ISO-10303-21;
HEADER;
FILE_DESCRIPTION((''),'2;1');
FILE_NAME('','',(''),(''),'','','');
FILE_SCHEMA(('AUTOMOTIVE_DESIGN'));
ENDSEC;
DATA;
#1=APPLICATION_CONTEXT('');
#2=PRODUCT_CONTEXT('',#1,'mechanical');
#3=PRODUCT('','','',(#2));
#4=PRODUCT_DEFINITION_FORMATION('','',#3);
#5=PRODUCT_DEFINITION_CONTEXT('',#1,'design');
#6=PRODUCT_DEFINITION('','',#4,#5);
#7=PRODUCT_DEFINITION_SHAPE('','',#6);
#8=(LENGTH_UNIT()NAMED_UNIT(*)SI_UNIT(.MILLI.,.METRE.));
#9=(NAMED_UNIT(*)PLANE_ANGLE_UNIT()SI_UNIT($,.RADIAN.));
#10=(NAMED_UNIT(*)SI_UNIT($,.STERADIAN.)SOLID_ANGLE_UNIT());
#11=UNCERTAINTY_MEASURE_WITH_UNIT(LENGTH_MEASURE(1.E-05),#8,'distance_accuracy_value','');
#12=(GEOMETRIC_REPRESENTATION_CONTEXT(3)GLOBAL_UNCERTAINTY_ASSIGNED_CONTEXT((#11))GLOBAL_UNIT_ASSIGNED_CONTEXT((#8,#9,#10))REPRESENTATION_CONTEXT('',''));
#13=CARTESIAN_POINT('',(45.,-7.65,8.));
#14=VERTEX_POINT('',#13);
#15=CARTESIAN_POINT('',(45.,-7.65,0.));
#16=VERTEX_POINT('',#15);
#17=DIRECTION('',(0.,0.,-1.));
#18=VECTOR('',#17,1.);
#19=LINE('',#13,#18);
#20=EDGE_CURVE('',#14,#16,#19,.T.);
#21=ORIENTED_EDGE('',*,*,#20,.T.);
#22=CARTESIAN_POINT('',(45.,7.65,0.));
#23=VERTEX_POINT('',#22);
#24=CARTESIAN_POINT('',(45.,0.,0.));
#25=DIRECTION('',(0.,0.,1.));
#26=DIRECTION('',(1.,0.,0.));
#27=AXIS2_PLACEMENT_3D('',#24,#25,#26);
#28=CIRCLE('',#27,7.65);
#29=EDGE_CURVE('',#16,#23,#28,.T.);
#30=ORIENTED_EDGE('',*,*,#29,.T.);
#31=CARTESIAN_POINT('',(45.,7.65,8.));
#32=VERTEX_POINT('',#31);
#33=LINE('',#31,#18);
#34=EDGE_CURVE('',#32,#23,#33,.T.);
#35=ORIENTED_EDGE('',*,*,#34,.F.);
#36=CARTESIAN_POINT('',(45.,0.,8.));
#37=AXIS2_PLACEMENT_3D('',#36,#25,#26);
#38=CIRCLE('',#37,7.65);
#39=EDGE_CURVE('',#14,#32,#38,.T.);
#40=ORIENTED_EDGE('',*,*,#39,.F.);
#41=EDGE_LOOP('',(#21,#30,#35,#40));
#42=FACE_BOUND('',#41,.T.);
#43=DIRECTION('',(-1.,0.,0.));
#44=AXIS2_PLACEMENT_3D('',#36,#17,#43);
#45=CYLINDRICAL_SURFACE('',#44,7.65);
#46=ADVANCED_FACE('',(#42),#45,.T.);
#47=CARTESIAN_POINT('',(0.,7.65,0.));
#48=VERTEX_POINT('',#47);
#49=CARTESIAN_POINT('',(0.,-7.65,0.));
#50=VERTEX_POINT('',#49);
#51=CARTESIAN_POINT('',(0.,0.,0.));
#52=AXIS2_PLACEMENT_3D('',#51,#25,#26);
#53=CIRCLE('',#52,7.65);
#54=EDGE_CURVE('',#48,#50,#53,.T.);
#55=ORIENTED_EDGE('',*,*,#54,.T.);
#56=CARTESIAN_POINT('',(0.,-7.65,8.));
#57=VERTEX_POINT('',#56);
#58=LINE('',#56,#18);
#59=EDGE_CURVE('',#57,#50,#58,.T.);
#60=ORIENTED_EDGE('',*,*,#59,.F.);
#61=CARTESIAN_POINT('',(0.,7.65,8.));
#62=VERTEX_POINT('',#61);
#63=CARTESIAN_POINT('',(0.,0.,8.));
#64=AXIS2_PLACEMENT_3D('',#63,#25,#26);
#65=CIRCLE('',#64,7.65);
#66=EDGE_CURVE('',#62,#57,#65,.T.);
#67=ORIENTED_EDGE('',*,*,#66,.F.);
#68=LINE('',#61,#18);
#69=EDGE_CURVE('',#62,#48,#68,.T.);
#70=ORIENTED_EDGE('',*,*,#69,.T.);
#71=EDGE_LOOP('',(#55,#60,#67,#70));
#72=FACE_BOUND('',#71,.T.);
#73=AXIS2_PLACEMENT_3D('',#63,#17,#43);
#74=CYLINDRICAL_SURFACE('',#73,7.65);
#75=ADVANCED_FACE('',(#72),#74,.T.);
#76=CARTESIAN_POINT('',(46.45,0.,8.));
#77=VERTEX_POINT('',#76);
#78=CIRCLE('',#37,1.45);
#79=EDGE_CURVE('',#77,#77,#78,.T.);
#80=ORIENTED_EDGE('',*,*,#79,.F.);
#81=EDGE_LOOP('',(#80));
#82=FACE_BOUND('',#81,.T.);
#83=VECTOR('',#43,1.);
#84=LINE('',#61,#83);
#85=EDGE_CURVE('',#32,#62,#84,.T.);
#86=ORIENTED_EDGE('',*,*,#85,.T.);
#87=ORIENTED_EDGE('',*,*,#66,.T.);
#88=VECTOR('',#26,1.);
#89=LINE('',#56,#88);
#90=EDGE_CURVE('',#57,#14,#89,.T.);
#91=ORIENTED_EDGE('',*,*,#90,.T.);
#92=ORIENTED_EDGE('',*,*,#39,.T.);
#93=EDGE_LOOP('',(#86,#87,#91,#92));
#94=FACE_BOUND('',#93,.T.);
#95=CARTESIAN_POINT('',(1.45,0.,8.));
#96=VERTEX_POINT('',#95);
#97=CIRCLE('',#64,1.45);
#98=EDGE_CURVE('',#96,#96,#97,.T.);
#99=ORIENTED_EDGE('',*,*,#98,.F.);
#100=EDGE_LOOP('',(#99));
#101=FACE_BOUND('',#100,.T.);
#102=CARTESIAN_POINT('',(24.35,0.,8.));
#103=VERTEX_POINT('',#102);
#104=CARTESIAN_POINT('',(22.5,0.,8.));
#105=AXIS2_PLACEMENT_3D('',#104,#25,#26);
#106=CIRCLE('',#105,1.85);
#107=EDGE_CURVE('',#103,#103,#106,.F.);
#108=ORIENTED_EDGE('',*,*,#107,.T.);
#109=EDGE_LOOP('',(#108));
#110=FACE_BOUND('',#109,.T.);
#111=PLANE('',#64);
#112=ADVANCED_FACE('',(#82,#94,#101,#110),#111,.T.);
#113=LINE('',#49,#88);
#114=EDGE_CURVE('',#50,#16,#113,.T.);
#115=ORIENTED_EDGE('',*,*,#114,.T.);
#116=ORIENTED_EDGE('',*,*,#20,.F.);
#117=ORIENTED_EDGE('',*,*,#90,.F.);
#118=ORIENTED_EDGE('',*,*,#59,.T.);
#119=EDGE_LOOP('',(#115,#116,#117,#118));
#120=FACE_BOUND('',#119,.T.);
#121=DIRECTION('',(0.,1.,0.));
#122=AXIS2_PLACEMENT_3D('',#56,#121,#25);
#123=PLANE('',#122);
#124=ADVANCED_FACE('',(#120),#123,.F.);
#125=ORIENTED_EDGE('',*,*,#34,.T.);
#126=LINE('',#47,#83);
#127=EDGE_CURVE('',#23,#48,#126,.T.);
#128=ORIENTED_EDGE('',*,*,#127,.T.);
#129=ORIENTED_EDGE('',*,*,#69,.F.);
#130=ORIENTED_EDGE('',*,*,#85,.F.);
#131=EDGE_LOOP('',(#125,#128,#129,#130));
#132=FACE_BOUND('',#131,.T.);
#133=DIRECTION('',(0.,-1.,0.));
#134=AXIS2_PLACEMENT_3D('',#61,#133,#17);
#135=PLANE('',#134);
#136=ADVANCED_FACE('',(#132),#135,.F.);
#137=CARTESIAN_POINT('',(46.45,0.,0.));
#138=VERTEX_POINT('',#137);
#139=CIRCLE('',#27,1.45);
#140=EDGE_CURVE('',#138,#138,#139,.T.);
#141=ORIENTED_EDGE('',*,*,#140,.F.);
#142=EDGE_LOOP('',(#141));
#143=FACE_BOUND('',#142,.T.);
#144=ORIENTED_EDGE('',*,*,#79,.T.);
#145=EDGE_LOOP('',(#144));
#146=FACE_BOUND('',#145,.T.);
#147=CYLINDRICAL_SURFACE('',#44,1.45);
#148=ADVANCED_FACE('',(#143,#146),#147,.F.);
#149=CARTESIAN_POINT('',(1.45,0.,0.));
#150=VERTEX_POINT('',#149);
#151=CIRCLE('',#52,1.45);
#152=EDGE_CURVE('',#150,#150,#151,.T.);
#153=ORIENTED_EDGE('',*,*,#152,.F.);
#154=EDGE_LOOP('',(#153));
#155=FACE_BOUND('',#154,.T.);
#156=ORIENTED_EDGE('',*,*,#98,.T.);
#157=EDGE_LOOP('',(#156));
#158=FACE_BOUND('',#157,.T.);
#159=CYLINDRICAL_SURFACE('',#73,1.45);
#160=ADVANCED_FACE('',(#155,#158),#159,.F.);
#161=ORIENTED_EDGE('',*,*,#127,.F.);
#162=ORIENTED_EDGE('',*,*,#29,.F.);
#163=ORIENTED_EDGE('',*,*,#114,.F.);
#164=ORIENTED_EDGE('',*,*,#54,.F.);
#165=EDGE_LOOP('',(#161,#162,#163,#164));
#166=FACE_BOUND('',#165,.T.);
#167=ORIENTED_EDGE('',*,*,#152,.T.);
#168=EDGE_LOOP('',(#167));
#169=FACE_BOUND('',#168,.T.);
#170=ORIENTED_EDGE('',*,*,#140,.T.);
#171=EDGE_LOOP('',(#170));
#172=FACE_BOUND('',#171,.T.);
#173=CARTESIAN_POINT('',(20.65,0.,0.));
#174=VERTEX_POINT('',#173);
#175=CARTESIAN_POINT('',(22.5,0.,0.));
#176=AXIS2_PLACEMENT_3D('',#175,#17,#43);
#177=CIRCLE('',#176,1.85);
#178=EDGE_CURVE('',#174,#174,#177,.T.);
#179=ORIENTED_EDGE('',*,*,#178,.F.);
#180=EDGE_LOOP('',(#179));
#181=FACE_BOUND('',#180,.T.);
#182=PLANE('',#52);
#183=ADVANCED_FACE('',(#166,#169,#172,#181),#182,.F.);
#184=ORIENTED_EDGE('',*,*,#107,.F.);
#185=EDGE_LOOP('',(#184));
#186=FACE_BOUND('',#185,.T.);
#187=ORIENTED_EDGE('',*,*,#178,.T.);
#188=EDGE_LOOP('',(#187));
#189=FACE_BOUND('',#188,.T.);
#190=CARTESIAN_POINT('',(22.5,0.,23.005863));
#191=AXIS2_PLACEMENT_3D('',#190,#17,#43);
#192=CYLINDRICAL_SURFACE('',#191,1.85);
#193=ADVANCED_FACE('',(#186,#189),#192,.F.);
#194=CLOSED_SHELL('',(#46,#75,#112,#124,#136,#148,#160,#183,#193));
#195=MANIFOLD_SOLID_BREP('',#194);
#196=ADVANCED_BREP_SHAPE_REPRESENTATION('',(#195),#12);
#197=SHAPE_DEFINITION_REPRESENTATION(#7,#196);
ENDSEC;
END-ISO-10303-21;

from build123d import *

# Parameters (mm, degrees)
SKETCH_1_R      = 1.45
SKETCH_1_R_2    = 5.15
EXTRUDE_1_DEPTH = 8
SKETCH_2_R      = 5.305373799
SKETCH_2_R_2    = 1.85
EXTRUDE_2_DEPTH = 8


with BuildPart() as part:
    # Эскиз1 → Бобышка-Вытянуть1 (new body)
    with BuildSketch(Plane.XY):
        with BuildLine():
            Line((0, 7.65), (45, 7.65))
            ThreePointArc((45, 7.65), (52.65, 0), (45, -7.65))
            Line((45, -7.65), (0, -7.65))
            ThreePointArc((0, -7.65), (-7.65, 0), (0, 7.65))
        make_face()
        Circle(SKETCH_1_R, mode=Mode.SUBTRACT)
        with Locations((45, 0)):
            Circle(SKETCH_1_R, mode=Mode.SUBTRACT)
        with Locations((22.5, 0)):
            Circle(SKETCH_1_R_2, mode=Mode.SUBTRACT)
    extrude(amount=EXTRUDE_1_DEPTH)

    # Эскиз2 → Бобышка-Вытянуть2 (add)
    with BuildSketch(Plane(origin=(0, 0, 0), x_dir=(-1, 0, 0), z_dir=(0, 0, -1))):
        with Locations((-22.5, 0)):
            Circle(SKETCH_2_R)
        with Locations((-22.5, 0)):
            Circle(SKETCH_2_R_2, mode=Mode.SUBTRACT)
    extrude(amount=-EXTRUDE_2_DEPTH)


solid = part.part
